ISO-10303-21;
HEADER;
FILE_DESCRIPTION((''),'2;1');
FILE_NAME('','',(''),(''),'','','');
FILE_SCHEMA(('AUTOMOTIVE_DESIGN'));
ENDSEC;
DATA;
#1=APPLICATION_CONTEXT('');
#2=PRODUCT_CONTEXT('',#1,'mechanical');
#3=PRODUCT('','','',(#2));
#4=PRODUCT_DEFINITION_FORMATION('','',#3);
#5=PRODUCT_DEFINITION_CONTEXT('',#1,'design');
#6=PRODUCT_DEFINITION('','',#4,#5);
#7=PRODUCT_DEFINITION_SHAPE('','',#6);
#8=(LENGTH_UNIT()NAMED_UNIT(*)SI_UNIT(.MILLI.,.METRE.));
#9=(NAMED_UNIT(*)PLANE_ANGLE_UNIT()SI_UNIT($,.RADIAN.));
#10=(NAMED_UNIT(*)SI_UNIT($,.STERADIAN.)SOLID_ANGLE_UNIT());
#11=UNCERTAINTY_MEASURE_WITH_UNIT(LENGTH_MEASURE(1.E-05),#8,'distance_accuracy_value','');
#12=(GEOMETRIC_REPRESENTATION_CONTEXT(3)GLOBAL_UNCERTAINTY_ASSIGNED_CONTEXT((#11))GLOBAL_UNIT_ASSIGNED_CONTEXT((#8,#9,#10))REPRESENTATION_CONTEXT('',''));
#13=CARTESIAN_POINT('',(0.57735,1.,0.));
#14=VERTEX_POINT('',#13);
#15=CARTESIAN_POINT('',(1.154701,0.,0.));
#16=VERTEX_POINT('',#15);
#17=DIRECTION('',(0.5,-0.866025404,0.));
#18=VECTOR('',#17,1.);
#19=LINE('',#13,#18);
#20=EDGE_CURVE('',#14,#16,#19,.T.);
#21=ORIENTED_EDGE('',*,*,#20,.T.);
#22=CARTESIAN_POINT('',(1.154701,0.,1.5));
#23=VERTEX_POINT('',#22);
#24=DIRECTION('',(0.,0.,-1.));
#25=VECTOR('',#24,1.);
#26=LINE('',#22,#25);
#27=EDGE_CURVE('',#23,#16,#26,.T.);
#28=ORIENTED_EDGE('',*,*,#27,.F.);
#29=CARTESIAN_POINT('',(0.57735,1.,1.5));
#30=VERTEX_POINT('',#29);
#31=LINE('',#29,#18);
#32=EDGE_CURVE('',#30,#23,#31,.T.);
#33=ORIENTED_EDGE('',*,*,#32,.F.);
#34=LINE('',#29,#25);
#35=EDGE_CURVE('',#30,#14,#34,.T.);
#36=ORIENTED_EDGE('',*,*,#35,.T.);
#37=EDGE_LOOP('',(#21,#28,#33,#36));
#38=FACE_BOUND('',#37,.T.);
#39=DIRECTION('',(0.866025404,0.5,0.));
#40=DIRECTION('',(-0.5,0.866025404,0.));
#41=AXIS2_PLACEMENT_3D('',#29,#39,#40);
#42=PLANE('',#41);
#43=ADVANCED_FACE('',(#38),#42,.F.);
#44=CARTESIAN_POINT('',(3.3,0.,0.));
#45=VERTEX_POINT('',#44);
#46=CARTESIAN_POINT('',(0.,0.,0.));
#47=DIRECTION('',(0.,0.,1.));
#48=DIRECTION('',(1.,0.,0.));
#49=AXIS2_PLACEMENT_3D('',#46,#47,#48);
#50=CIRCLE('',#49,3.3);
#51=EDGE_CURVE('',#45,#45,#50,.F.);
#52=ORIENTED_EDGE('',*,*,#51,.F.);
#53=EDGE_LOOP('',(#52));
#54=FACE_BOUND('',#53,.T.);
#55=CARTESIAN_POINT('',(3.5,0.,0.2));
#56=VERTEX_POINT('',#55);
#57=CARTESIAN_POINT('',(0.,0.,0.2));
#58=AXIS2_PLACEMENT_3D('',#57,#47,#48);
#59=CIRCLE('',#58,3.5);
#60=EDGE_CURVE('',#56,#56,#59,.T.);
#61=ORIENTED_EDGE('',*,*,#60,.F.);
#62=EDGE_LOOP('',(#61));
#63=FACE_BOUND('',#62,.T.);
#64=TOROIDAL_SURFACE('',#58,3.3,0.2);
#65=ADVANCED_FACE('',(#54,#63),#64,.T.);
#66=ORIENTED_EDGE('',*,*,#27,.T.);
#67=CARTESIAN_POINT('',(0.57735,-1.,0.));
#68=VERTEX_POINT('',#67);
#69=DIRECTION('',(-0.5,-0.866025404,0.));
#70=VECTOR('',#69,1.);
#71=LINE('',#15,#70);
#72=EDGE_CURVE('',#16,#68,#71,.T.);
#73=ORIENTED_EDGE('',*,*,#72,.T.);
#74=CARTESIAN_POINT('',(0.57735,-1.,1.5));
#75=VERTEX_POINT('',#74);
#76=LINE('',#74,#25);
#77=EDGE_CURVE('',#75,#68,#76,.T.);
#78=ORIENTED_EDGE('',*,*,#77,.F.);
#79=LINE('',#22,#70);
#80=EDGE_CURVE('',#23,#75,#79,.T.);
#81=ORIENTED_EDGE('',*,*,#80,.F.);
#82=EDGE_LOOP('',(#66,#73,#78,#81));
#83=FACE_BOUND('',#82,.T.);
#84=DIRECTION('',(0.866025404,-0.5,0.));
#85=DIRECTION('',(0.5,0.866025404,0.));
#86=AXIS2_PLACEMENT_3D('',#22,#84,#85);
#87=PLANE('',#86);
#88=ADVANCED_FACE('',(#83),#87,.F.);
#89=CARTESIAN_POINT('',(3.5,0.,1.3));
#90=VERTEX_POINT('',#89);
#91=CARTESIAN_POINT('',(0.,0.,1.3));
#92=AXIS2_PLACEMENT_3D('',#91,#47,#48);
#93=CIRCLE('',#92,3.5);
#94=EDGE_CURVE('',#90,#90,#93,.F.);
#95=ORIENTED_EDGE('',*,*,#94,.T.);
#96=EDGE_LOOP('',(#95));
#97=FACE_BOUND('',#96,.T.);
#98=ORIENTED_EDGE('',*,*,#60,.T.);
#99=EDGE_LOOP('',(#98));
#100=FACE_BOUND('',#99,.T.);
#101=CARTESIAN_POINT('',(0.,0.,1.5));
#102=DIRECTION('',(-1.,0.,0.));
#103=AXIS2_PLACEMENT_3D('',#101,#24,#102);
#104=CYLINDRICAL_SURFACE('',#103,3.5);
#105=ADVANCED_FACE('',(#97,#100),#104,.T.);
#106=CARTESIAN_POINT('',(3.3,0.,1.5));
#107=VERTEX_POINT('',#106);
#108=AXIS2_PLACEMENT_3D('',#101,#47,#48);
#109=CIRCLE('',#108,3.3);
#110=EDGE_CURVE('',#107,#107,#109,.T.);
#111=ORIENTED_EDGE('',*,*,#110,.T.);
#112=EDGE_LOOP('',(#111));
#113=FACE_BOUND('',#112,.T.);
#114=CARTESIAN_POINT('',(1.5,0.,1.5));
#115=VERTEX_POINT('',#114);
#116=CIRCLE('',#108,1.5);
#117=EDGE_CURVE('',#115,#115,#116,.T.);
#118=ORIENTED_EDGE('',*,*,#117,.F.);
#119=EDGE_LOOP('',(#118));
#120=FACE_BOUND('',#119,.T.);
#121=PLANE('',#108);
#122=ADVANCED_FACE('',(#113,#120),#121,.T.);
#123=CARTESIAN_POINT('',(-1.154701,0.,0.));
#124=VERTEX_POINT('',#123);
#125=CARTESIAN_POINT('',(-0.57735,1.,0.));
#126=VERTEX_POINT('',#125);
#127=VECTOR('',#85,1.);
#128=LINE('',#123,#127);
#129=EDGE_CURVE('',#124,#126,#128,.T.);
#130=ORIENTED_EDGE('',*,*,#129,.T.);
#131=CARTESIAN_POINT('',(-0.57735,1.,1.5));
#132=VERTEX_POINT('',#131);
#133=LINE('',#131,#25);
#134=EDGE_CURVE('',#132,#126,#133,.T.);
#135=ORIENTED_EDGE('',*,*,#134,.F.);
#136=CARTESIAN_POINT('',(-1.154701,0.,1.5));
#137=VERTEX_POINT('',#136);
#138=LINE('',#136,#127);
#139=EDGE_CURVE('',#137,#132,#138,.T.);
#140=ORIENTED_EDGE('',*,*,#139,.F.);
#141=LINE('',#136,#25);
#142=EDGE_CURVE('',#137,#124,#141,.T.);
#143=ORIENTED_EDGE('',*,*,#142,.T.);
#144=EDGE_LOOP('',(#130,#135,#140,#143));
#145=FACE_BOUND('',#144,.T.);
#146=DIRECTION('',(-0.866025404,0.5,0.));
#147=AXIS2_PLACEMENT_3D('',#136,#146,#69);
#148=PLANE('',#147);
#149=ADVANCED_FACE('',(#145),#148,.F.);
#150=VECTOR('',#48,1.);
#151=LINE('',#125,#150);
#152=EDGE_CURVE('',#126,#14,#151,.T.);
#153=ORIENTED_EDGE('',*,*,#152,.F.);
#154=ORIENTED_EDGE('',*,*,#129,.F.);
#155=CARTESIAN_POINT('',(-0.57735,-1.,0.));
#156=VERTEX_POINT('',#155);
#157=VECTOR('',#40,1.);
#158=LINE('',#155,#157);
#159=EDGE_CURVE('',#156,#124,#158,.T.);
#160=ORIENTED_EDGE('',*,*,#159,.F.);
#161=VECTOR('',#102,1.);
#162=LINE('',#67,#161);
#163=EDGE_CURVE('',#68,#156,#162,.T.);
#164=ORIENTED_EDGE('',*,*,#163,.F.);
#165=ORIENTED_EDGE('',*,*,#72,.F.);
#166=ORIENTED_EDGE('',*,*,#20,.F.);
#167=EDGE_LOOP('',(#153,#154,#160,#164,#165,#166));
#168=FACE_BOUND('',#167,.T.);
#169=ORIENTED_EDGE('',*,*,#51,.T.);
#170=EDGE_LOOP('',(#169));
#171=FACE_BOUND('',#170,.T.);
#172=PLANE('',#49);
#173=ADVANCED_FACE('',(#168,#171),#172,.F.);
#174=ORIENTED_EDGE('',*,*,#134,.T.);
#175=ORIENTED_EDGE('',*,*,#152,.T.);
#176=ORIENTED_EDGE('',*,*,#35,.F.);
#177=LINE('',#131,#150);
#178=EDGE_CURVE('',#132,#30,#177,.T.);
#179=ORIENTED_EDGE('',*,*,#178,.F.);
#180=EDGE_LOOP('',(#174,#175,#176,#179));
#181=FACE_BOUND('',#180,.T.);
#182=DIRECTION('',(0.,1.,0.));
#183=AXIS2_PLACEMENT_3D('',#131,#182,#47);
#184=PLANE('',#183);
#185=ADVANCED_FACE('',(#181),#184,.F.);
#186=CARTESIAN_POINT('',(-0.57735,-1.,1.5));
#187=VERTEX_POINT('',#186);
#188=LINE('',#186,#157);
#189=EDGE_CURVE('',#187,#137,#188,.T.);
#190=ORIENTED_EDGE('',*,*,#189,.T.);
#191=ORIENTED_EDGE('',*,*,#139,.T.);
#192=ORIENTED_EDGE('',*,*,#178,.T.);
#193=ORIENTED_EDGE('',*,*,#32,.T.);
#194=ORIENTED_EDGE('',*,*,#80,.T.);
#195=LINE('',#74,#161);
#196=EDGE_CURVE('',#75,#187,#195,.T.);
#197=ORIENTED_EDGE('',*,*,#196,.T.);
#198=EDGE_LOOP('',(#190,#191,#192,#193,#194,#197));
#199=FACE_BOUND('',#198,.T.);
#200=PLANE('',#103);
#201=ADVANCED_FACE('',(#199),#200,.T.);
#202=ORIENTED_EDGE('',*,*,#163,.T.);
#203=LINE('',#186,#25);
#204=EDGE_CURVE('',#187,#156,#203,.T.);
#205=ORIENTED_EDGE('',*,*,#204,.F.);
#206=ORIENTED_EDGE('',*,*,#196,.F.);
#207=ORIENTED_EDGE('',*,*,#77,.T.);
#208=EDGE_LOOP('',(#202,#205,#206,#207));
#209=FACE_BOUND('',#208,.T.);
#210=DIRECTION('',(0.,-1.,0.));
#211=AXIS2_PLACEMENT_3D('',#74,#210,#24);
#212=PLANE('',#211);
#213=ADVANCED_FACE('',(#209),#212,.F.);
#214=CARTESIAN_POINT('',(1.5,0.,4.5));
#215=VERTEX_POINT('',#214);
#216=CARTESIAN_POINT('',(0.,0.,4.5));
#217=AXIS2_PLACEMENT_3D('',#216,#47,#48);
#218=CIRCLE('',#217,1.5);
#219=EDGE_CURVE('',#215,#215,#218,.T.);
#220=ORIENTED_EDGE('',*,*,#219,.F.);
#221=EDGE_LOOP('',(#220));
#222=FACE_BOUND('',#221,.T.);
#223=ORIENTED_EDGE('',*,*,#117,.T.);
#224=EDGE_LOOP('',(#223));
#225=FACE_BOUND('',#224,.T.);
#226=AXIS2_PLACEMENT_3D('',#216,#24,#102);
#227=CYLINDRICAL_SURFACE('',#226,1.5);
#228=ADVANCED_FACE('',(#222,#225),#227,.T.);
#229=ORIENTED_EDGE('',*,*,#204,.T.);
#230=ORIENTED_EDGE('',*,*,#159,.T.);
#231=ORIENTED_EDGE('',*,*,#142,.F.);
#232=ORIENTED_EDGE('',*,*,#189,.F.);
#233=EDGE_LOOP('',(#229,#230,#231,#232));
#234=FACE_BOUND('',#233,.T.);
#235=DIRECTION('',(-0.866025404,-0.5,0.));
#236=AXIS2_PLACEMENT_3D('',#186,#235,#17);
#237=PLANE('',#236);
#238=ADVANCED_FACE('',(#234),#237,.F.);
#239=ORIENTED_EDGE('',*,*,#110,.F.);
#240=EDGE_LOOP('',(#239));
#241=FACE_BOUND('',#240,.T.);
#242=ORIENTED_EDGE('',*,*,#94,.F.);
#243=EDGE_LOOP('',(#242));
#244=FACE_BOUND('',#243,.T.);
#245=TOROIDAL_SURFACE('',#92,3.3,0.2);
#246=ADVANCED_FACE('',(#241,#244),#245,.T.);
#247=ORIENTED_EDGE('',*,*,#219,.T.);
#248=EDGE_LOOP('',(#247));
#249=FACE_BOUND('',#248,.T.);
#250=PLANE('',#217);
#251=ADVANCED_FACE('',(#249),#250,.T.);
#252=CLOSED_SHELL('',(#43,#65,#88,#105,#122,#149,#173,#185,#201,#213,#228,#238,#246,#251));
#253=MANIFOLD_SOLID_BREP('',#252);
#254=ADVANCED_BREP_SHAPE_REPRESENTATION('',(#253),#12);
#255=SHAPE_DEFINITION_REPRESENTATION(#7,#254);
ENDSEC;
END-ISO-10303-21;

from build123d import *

# Parameters (mm, degrees)
SKETCH_1_R          = 3.5
EXTRUDE_1_DEPTH     = 1.5
SKETCH_2_R          = 1.5
EXTRUDE_2_DEPTH     = 3
FILLET_1_R          = 0.2
CUT_EXTRUDE_1_DEPTH = 1.5


with BuildPart() as part:
    # 草图1 → 凸台-拉伸1 (new body)
    with BuildSketch(Plane.XY):
        Circle(SKETCH_1_R)
    extrude(amount=EXTRUDE_1_DEPTH)

    # 草图2 → 凸台-拉伸2 (add)
    with BuildSketch(Plane.XY.offset(1.5)):
        Circle(SKETCH_2_R)
    extrude(amount=EXTRUDE_2_DEPTH)

    # 圆角1
    fillet_1_edges = [part.edges().sort_by_distance(p)[0] for p in [
        (-3.5, 0, 0),
        (-3.5, 0, 1.5),
    ]]
    fillet(fillet_1_edges, radius=FILLET_1_R)

    # 草图3 → 切除-拉伸1 (cut)
    with BuildSketch(Plane(origin=(0, 0, 0), x_dir=(-1, 0, 0), z_dir=(0, 0, -1))):
        Polygon((1.154700538, 0), (0.577350269, 1), (-0.577350269, 1), (-1.154700538, 0), (-0.577350269, -1), (0.577350269, -1), align=None)
    extrude(amount=-CUT_EXTRUDE_1_DEPTH, mode=Mode.SUBTRACT)


solid = part.part
